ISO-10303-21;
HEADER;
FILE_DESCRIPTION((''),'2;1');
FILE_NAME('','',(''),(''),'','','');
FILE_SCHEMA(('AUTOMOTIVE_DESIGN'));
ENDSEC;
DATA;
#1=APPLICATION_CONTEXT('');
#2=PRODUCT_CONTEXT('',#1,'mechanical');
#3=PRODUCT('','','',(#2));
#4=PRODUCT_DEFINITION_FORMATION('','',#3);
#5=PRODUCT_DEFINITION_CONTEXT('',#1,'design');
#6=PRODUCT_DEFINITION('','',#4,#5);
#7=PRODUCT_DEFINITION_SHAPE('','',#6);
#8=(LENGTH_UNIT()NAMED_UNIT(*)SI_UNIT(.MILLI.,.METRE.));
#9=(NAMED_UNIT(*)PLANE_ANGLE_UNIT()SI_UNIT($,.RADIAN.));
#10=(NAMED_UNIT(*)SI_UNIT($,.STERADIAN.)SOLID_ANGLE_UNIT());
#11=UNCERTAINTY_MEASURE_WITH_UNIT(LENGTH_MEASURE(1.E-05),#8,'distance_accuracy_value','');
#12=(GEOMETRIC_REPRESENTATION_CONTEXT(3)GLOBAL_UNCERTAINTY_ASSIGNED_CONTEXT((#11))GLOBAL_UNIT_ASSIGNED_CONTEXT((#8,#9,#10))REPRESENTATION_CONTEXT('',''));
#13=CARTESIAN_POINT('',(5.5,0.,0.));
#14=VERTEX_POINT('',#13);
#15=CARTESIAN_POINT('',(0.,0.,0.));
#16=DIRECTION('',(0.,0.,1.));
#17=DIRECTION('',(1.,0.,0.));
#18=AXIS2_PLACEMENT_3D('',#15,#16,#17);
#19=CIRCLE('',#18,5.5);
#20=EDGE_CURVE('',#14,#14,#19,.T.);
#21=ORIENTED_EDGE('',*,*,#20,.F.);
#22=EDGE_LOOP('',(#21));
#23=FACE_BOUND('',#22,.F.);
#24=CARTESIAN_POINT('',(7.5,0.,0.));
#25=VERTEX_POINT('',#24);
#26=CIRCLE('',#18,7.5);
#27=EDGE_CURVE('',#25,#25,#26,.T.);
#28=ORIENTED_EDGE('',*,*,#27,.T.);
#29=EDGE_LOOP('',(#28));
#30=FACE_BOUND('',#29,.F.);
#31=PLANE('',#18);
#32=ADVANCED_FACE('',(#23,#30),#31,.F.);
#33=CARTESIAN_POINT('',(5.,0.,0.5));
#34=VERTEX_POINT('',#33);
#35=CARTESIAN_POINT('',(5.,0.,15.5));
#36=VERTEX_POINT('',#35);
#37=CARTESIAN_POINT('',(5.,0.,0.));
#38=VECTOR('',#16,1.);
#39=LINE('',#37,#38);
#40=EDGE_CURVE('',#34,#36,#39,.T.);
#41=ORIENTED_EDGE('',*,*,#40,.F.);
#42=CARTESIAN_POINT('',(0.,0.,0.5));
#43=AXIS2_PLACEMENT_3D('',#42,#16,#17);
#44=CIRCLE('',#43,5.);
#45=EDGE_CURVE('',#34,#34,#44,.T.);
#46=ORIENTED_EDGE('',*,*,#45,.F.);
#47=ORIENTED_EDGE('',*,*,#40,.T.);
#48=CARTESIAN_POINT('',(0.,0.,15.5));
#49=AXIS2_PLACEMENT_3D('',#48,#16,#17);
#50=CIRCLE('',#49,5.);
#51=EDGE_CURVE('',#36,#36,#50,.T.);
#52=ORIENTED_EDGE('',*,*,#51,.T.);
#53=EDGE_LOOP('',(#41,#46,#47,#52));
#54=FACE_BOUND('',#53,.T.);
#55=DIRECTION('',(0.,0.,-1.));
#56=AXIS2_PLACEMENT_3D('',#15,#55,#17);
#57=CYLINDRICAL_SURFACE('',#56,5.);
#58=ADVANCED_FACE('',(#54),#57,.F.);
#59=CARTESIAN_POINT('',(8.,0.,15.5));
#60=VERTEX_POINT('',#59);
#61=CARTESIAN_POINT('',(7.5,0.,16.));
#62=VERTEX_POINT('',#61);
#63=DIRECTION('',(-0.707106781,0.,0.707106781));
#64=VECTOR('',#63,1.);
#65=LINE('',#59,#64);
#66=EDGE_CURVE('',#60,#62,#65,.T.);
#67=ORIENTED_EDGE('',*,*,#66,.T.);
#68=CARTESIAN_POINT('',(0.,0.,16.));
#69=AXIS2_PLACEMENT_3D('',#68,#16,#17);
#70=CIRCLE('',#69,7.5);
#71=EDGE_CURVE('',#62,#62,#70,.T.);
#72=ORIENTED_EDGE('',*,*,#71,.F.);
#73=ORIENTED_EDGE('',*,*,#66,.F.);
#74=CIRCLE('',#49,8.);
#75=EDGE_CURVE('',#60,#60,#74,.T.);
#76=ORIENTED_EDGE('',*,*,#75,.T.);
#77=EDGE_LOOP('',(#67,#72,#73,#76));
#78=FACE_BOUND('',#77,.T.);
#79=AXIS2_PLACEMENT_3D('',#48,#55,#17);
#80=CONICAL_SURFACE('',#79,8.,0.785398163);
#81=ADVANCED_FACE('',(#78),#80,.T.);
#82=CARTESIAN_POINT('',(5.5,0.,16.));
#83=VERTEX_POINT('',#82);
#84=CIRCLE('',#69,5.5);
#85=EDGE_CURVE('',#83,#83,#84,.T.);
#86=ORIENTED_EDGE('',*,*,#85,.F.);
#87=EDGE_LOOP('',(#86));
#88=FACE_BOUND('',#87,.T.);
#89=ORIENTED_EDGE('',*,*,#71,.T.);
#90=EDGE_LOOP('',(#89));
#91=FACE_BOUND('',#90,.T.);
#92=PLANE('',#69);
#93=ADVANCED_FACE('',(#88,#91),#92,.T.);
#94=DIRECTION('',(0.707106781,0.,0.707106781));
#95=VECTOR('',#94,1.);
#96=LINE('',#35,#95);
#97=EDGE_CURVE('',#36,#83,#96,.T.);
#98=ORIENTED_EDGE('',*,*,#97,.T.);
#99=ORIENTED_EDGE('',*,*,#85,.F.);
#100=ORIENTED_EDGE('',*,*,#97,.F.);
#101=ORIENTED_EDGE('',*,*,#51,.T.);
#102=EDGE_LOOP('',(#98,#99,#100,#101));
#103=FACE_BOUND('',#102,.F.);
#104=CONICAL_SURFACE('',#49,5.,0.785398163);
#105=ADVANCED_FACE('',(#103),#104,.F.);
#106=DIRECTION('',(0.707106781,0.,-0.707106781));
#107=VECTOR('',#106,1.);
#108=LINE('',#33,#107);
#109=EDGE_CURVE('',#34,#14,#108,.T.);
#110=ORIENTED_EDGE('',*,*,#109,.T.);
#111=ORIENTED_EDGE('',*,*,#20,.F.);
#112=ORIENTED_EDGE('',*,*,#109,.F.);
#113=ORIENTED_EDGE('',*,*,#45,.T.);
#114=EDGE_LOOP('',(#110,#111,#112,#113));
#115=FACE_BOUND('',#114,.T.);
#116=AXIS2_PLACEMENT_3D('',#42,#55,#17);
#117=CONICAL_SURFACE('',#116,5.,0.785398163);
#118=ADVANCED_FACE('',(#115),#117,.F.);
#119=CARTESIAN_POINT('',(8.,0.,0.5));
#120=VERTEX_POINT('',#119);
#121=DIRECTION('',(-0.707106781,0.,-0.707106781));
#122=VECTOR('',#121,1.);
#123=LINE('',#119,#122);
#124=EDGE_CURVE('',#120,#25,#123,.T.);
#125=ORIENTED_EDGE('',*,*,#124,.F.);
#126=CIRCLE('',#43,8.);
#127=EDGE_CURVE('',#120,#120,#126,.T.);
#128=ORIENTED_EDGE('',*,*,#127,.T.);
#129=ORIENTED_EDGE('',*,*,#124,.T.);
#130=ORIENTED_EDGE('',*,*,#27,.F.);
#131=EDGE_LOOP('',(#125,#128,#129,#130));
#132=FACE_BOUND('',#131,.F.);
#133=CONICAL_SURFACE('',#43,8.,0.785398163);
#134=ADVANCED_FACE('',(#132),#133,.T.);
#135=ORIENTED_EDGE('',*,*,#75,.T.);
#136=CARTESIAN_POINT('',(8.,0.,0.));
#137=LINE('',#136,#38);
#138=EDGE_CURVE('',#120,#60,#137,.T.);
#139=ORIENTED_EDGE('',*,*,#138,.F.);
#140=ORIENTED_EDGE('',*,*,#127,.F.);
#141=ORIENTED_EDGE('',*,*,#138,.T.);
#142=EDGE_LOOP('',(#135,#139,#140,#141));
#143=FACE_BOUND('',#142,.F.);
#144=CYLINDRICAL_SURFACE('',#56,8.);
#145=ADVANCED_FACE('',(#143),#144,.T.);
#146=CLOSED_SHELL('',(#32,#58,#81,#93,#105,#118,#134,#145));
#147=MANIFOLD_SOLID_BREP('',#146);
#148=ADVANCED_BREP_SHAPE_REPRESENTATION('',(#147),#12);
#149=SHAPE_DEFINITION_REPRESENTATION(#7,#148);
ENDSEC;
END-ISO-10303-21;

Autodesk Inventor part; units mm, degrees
ref_plane "YZ Plane" through (0, 0, 0) normal (1, 0, 0) x (0, 1, 0)
ref_plane "XZ Plane" through (0, 0, 0) normal (0, 1, 0) x (-1, 0, 0)
ref_plane "XY Plane" through (0, 0, 0) normal (0, 0, 1) x (1, 0, 0)
sketch "Sketch1" plane through (0, 0, 0) normal (0, 0, 1) x (1, 0, 0)
  circle A0 centre (0, 0) radius 5
  circle A1 centre (0, 0) radius 8
  dimension "d0" = 10
  dimension "d1" = 16
extrude "Extrusion1" add sketch "Sketch1" along normal blind 16
chamfer "Chamfer1" distance 0.5 angle 45 4 edges at (-8, 0, 16) (-5, 0, 16) (-5, 0, 0) (-8, 0, 0)
properties part number "Separador16mm" material "Steel"
